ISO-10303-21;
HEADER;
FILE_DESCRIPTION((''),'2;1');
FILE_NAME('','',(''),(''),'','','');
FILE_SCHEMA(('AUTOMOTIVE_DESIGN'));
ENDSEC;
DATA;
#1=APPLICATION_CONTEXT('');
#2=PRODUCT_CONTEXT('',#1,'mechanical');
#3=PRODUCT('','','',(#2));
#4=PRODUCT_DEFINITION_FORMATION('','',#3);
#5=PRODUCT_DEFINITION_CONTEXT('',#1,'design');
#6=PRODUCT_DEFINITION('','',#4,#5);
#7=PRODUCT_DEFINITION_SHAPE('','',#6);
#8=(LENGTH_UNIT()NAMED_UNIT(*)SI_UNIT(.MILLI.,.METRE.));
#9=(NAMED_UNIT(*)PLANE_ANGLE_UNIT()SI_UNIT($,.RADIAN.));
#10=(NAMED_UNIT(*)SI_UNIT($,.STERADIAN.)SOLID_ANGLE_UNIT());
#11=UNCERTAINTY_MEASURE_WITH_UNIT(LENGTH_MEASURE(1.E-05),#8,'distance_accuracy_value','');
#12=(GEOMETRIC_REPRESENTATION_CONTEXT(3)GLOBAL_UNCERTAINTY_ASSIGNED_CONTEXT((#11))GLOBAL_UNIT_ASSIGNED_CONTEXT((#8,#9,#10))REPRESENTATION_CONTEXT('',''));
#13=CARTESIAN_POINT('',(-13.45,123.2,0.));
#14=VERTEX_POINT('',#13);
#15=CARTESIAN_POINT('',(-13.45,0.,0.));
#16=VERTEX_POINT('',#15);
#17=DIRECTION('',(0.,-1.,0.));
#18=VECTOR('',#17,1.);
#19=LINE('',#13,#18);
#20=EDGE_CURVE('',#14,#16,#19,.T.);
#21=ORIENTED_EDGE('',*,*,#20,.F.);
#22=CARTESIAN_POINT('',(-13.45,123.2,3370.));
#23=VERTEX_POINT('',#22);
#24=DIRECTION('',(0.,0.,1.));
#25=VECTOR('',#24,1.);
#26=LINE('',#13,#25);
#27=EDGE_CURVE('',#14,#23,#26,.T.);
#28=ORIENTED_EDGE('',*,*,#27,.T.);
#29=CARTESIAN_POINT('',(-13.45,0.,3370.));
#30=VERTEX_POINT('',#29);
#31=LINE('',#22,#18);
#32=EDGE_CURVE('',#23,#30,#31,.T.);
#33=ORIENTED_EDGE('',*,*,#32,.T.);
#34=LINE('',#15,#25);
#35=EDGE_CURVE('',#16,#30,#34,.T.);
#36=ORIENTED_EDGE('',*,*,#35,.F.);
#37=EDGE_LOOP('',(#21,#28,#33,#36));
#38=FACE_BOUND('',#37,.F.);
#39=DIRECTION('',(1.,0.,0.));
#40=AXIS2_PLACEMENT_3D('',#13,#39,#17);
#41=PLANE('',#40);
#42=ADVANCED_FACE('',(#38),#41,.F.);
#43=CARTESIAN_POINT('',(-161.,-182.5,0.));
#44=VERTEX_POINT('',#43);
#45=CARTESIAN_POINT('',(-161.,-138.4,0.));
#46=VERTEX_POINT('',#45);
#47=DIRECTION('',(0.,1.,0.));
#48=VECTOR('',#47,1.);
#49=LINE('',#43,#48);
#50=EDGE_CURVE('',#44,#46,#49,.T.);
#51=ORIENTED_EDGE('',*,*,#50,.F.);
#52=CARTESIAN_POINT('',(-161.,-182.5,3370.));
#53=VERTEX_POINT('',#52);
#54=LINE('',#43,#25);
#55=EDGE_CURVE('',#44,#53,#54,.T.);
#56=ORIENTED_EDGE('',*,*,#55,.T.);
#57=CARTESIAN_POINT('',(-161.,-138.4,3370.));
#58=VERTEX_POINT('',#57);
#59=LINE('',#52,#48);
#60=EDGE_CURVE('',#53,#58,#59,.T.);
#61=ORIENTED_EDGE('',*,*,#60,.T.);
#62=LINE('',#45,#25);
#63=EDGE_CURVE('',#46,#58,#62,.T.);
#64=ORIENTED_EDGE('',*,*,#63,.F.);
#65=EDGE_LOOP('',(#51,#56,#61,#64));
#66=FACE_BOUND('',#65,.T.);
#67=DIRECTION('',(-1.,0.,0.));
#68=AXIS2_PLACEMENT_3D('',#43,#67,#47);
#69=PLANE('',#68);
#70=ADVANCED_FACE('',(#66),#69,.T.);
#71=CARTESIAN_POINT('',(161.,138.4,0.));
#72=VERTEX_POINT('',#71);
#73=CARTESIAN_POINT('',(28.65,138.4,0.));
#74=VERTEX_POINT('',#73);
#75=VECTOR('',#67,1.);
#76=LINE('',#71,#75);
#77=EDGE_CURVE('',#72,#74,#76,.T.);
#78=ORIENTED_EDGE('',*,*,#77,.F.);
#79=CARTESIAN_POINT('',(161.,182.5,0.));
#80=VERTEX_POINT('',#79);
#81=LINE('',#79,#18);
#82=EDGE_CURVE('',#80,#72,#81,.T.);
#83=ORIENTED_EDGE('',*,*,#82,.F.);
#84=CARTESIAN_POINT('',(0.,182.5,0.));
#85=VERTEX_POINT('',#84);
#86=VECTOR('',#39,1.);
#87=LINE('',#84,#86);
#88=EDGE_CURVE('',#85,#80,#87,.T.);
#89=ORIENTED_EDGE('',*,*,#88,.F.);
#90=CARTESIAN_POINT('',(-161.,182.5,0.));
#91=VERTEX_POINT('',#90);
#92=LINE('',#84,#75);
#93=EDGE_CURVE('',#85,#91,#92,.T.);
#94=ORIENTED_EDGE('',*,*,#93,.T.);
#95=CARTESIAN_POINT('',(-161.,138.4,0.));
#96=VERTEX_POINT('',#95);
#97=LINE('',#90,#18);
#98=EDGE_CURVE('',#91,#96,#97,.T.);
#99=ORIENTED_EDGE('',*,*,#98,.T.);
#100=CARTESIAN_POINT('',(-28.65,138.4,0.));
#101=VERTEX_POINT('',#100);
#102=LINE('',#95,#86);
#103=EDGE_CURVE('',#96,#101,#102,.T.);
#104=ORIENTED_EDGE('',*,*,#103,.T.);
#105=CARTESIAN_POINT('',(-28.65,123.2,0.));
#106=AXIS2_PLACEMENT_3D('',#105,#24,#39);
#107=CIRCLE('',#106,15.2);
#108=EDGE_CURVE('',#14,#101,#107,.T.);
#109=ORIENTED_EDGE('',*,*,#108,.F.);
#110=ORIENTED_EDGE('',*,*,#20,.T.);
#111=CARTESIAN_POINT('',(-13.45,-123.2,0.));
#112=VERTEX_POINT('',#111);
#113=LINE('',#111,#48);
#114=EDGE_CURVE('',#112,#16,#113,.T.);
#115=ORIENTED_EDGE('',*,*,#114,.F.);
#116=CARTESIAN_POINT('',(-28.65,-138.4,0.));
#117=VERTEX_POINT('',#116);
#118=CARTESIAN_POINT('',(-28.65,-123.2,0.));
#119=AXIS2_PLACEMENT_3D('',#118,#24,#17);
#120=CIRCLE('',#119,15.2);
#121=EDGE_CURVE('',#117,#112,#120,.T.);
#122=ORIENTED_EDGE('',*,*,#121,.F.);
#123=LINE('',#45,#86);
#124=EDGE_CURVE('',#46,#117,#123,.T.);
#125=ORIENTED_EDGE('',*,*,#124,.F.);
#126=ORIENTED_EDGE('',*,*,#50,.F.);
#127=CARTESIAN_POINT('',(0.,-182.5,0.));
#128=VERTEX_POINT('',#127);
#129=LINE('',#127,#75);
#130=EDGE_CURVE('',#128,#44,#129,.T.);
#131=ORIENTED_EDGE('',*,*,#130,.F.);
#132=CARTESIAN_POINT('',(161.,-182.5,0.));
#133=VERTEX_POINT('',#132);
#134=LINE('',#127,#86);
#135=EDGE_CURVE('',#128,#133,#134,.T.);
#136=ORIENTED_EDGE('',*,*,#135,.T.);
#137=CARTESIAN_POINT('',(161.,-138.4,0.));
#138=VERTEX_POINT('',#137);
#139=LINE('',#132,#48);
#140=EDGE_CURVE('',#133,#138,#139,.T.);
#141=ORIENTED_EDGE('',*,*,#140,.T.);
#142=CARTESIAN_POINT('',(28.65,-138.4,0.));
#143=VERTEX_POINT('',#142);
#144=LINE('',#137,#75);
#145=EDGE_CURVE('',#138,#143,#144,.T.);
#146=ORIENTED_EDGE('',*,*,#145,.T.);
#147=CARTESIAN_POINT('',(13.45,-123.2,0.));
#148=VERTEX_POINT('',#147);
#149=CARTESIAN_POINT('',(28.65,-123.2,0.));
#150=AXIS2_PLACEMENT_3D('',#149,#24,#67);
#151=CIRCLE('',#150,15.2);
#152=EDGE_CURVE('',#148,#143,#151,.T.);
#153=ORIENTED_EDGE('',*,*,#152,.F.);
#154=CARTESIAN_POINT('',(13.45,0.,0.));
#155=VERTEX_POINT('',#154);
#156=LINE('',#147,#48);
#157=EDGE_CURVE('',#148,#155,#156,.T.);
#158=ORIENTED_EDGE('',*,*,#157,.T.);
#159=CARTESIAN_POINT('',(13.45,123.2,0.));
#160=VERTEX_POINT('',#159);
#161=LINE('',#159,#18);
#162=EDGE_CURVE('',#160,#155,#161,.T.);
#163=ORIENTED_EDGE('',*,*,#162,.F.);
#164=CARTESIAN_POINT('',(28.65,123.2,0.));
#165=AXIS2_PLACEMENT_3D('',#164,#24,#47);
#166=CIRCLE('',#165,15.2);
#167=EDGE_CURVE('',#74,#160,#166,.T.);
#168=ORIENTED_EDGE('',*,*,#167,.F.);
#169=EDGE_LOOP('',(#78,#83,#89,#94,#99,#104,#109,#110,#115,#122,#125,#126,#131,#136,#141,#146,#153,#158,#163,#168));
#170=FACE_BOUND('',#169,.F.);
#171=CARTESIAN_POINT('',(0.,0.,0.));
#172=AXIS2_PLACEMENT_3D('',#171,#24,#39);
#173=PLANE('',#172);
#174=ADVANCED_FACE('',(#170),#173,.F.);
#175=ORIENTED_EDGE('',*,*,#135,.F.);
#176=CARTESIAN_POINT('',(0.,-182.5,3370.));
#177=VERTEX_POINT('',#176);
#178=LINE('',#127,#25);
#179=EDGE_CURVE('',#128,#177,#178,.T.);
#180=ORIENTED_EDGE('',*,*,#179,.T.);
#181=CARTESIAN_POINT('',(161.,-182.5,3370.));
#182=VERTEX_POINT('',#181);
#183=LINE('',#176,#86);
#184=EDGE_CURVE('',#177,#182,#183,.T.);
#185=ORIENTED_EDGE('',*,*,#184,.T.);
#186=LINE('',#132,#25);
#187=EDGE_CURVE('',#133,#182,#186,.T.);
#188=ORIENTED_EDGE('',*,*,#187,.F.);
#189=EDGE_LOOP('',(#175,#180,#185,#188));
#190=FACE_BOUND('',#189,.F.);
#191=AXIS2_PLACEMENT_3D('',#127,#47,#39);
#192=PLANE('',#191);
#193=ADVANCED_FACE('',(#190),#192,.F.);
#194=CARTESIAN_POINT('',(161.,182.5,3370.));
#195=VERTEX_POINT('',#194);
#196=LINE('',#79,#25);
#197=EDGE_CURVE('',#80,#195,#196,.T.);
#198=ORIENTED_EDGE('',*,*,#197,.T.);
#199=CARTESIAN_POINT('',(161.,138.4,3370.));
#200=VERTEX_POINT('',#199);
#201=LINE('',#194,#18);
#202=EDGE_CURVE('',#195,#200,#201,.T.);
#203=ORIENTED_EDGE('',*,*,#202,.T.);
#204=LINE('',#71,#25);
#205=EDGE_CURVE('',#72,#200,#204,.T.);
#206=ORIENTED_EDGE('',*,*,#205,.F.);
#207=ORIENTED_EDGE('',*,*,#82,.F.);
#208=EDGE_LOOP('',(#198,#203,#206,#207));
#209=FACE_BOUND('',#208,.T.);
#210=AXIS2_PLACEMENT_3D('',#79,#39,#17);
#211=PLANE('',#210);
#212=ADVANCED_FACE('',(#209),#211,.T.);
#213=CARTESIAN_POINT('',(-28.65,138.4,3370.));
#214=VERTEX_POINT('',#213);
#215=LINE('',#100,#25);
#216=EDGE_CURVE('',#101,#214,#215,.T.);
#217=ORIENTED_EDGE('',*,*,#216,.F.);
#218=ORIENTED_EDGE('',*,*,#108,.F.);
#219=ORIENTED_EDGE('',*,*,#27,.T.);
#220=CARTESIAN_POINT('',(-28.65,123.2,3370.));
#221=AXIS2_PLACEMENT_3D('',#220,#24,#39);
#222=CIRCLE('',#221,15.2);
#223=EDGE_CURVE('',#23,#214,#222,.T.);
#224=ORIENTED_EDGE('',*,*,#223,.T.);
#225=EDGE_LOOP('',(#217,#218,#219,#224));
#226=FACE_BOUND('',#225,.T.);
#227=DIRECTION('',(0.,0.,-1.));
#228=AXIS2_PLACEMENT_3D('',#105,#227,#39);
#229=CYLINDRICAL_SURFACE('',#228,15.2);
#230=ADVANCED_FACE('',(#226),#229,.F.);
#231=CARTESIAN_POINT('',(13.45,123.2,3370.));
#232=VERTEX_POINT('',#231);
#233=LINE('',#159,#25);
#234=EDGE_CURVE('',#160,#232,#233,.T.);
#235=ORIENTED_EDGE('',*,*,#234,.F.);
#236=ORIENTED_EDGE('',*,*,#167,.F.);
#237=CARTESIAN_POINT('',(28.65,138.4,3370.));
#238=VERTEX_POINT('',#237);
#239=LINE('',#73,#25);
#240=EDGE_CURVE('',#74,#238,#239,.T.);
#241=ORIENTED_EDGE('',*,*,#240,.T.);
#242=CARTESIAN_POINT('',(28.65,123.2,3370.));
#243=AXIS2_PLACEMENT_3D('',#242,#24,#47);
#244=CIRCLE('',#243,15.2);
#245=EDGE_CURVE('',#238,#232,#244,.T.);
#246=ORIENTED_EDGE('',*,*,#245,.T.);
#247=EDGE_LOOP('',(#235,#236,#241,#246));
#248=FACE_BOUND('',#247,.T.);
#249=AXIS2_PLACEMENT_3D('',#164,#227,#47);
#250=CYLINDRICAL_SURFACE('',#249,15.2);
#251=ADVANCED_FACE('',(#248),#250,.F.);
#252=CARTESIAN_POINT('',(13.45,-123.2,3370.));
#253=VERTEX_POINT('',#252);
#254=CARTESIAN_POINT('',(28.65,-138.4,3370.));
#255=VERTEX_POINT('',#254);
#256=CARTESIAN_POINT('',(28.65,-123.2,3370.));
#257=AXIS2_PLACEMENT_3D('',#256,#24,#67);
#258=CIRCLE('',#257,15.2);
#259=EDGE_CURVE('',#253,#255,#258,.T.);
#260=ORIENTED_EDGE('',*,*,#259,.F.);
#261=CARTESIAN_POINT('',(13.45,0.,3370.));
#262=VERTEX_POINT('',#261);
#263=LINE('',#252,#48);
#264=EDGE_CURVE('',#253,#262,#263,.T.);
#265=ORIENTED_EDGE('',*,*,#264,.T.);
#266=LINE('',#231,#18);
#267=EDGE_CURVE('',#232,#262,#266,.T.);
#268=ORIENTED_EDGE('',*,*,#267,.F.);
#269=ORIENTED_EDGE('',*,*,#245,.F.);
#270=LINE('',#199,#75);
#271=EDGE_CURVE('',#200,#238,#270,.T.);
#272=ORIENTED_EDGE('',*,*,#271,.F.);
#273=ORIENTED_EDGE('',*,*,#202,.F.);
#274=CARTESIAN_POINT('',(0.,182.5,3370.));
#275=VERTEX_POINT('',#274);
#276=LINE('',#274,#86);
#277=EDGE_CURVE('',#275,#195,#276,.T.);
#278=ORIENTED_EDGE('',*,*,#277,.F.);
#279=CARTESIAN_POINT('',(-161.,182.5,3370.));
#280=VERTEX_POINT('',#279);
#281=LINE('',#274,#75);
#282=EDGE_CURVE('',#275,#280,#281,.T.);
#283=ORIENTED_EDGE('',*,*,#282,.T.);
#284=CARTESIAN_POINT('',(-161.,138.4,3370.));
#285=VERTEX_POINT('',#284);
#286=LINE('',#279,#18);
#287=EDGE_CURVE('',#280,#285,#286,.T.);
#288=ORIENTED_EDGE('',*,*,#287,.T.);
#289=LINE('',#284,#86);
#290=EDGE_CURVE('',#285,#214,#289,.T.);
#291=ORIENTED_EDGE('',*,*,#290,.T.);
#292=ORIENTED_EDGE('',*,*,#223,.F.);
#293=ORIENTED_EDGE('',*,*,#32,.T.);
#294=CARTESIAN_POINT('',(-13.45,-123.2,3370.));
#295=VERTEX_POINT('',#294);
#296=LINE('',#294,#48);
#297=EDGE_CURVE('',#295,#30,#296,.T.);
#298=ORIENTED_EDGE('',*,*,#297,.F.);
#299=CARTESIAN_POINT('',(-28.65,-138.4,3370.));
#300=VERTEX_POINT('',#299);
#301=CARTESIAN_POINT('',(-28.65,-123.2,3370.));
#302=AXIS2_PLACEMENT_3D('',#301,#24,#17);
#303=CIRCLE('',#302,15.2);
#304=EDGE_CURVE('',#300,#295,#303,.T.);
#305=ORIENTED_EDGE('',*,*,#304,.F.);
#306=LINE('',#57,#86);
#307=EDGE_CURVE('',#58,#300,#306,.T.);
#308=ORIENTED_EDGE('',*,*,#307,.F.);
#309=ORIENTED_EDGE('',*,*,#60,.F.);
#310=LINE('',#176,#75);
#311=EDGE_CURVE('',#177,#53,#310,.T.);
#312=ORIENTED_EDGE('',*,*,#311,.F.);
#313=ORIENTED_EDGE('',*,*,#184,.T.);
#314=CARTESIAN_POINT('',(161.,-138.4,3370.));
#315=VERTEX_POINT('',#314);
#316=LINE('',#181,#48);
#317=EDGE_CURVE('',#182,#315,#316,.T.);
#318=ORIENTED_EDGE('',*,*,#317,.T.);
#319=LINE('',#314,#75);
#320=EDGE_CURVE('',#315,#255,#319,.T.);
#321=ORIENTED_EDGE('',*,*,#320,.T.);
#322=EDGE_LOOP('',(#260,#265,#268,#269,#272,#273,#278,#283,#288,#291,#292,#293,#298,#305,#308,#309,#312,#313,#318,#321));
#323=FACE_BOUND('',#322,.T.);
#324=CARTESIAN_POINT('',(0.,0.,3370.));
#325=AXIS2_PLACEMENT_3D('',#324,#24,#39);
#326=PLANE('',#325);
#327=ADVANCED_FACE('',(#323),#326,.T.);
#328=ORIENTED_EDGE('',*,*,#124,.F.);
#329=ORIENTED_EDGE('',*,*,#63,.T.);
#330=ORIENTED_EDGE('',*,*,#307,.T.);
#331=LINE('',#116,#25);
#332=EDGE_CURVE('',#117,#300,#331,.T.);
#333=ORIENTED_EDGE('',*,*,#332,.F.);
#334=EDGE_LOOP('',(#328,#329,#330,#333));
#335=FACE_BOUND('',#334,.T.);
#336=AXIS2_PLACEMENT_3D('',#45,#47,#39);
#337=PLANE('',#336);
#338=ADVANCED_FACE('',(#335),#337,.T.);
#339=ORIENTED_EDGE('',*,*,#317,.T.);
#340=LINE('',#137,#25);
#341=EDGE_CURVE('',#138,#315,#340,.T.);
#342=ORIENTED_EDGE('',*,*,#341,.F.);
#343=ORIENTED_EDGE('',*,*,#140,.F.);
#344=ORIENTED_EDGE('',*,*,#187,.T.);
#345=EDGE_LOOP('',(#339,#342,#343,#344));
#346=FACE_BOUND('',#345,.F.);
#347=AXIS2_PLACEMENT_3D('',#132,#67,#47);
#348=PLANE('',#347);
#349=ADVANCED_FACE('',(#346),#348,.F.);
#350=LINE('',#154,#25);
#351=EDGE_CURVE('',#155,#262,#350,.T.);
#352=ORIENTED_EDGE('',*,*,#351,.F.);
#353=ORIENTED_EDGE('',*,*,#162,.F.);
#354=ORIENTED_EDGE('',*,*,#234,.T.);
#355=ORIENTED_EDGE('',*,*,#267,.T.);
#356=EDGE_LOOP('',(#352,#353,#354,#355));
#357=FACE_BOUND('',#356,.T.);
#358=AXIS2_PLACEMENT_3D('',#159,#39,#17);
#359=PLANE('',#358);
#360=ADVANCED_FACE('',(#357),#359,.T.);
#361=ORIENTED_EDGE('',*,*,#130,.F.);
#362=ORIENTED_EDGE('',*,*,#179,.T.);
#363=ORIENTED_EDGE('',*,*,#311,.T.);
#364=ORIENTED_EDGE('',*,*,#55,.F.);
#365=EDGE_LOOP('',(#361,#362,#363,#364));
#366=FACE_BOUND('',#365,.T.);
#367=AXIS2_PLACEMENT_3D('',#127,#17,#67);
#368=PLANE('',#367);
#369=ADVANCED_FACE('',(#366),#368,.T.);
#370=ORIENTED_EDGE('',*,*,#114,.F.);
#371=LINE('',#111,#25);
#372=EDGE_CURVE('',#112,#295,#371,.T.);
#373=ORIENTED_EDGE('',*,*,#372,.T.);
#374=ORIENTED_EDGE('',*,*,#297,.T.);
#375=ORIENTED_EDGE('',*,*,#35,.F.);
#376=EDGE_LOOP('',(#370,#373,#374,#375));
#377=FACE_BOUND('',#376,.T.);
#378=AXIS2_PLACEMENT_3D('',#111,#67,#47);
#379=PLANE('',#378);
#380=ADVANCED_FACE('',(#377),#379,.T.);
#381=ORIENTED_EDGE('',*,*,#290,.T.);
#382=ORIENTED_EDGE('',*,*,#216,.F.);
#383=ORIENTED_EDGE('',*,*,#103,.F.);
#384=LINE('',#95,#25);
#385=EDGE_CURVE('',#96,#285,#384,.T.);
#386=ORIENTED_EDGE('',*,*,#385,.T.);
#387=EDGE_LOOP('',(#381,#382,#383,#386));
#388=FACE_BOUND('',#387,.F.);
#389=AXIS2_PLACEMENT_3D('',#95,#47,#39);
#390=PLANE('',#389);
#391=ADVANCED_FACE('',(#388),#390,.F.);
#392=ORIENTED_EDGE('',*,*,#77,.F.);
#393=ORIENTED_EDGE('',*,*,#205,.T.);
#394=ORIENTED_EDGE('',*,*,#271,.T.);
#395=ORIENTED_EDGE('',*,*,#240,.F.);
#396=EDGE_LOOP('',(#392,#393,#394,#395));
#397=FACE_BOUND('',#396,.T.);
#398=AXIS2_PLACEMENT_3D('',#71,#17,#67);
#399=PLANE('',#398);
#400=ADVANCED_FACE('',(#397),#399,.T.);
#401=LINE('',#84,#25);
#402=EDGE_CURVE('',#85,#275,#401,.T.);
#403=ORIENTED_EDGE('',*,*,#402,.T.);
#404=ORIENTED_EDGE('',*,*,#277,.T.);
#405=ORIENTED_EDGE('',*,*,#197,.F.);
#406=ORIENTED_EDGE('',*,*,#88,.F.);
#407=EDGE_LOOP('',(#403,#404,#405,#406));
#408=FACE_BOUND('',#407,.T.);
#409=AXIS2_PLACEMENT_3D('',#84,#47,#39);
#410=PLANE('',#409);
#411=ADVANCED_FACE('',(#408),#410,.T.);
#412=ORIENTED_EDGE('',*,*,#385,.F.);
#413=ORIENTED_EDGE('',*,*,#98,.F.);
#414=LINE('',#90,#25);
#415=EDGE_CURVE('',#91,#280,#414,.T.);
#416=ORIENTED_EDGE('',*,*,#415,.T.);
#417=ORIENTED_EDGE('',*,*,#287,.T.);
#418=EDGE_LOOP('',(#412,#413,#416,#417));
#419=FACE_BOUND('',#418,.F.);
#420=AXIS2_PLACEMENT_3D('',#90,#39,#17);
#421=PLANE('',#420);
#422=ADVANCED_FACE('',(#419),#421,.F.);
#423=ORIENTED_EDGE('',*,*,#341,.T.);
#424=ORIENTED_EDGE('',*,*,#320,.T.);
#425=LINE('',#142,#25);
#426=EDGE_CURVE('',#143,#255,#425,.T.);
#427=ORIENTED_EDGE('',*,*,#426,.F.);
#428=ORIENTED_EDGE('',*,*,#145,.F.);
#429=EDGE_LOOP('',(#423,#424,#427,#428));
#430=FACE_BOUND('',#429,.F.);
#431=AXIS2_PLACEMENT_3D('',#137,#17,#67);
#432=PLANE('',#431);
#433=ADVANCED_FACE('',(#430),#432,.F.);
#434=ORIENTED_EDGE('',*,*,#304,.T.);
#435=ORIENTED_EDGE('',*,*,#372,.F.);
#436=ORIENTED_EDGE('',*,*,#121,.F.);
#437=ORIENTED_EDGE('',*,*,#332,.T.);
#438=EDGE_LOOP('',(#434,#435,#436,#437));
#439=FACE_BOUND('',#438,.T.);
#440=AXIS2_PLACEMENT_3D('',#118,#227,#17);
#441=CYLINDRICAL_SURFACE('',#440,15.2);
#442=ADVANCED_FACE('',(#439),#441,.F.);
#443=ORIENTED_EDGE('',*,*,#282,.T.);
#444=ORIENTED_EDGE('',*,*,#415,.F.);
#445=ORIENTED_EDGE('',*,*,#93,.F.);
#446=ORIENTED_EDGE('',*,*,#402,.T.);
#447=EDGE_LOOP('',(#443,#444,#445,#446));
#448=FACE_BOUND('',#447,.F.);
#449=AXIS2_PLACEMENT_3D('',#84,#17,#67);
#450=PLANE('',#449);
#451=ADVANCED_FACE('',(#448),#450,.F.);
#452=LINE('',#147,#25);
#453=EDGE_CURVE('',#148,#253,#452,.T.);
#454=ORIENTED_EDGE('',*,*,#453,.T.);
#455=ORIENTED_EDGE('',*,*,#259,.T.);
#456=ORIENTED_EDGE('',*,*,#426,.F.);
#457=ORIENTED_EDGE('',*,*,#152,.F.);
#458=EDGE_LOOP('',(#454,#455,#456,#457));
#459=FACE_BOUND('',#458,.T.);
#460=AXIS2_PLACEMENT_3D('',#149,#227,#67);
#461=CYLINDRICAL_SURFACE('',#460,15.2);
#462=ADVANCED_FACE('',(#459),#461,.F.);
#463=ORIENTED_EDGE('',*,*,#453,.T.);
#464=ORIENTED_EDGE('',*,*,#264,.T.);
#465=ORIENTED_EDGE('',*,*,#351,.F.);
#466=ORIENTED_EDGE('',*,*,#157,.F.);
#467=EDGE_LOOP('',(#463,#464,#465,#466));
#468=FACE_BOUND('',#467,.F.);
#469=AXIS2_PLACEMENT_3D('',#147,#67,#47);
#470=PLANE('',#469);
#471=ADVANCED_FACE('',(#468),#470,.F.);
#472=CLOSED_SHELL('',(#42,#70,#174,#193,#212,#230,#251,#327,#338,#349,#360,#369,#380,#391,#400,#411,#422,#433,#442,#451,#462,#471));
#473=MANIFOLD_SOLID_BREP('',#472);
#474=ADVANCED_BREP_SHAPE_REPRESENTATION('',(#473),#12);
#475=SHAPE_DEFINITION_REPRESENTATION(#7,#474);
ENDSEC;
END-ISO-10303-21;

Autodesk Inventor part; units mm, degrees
ref_plane "YZ Plane" through (0, 0, 0) normal (1, 0, 0) x (0, 1, 0)
ref_plane "Start plane" through (0, 0, 0) normal (0, 0, 1) x (1, 0, 0)
ref_plane "End plane" through (0, 0, 3370) normal (0, 0, 1) x (1, 0, 0)
sketch "Sketch" plane through (0, 0, 0) normal (0, 0, 1) x (1, 0, 0)
  line L0 (-161, -182.5) -> (-161, -138.4)
  line L1 (-161, -138.4) -> (-28.65, -138.4)
  line L2 (-13.45, -123.2) -> (-13.45, 0)
  line L3 (-13.45, 0) -> (0, 0) construction
  line L4 (0, 0) -> (0, -182.5) construction
  line L5 (0, -182.5) -> (-161, -182.5)
  line L6 (-60, 0) -> (80, 0) construction
  line L7 (0, -60) -> (0, 80) construction
  line L8 (161, -182.5) -> (161, -138.4)
  line L9 (161, -138.4) -> (28.65, -138.4)
  line L10 (13.45, -123.2) -> (13.45, 0)
  line L11 (13.45, 0) -> (0, 0) construction
  line L12 (0, -182.5) -> (161, -182.5)
  line L13 (-161, 182.5) -> (-161, 138.4)
  line L14 (-161, 138.4) -> (-28.65, 138.4)
  line L15 (-13.45, 123.2) -> (-13.45, 0)
  line L16 (0, 182.5) -> (-161, 182.5)
  line L17 (161, 182.5) -> (161, 138.4)
  line L18 (161, 138.4) -> (28.65, 138.4)
  line L19 (0, 182.5) -> (161, 182.5)
  line L20 (13.45, 123.2) -> (13.45, 0)
  arc A0 (-13.45, 123.2) -> (-28.65, 138.4) centre (-28.65, 123.2) ccw
  arc A1 (28.65, 138.4) -> (13.45, 123.2) centre (28.65, 123.2) ccw
  arc A2 (13.45, -123.2) -> (28.65, -138.4) centre (28.65, -123.2) ccw
  arc A3 (-28.65, -138.4) -> (-13.45, -123.2) centre (-28.65, -123.2) ccw
  line L21 (0, 108) -> (0, -88) construction
  line L22 (-88, 0) -> (108, 0) construction
  point P0 (-13.45, -138.4)
  point P1 (13.45, -138.4)
  point P2 (-13.45, 138.4)
  point P3 (13.45, 138.4)
  dimension "d1" = 182.5
  dimension "d2" = 44.1
  dimension "d3" = 161
  dimension "d4" = 13.45
  dimension "d10" = 15.2
extrude "Body" add sketch "Sketch" along normal up to surface (3370 mm away) from surface at 0
sketch "Sketch4" plane through (0, 0, 0) normal (0, 0, 1) x (1, 0, 0)
  line L0 (0, 0) -> (10, 0)
ref_plane "Work Plane3" through (0, 0, 0) normal (0, -1, 0) x (1, 0, 0)
sketch "Sketch5" plane through (0, 0, 0) normal (0, -1, 0) x (1, 0, 0)
  line L0 (-2, 0) -> (12, 0) projected
  line L1 (-2, 3370) -> (12, 3370) projected
  dimension "d14" = 3370
equation "\"d1\" = 0.5 * G_H"
equation "\"d2\" = G_T1"
equation "\"d3\" = 0.5 * G_W"
equation "\"d4\" = 0.5 * G_T"
equation "\"d10\" = G_IR"
equation "\"d5\" = G_L"
equation "\"G_W\" = 322"
equation "\"G_H\" = 365"
equation "\"G_T\" = 26.9"
equation "\"G_T1\" = 44.1"
equation "\"G_IR\" = 15.2"
equation "\"G_L\" = d14"
equation "\"G_OFFSET_START\" = 0"
equation "\"G_OFFSET_END\" = 0"
properties part number "AS 3679 - 310 UC - 283 - 3370" material "Steel, Mild"
